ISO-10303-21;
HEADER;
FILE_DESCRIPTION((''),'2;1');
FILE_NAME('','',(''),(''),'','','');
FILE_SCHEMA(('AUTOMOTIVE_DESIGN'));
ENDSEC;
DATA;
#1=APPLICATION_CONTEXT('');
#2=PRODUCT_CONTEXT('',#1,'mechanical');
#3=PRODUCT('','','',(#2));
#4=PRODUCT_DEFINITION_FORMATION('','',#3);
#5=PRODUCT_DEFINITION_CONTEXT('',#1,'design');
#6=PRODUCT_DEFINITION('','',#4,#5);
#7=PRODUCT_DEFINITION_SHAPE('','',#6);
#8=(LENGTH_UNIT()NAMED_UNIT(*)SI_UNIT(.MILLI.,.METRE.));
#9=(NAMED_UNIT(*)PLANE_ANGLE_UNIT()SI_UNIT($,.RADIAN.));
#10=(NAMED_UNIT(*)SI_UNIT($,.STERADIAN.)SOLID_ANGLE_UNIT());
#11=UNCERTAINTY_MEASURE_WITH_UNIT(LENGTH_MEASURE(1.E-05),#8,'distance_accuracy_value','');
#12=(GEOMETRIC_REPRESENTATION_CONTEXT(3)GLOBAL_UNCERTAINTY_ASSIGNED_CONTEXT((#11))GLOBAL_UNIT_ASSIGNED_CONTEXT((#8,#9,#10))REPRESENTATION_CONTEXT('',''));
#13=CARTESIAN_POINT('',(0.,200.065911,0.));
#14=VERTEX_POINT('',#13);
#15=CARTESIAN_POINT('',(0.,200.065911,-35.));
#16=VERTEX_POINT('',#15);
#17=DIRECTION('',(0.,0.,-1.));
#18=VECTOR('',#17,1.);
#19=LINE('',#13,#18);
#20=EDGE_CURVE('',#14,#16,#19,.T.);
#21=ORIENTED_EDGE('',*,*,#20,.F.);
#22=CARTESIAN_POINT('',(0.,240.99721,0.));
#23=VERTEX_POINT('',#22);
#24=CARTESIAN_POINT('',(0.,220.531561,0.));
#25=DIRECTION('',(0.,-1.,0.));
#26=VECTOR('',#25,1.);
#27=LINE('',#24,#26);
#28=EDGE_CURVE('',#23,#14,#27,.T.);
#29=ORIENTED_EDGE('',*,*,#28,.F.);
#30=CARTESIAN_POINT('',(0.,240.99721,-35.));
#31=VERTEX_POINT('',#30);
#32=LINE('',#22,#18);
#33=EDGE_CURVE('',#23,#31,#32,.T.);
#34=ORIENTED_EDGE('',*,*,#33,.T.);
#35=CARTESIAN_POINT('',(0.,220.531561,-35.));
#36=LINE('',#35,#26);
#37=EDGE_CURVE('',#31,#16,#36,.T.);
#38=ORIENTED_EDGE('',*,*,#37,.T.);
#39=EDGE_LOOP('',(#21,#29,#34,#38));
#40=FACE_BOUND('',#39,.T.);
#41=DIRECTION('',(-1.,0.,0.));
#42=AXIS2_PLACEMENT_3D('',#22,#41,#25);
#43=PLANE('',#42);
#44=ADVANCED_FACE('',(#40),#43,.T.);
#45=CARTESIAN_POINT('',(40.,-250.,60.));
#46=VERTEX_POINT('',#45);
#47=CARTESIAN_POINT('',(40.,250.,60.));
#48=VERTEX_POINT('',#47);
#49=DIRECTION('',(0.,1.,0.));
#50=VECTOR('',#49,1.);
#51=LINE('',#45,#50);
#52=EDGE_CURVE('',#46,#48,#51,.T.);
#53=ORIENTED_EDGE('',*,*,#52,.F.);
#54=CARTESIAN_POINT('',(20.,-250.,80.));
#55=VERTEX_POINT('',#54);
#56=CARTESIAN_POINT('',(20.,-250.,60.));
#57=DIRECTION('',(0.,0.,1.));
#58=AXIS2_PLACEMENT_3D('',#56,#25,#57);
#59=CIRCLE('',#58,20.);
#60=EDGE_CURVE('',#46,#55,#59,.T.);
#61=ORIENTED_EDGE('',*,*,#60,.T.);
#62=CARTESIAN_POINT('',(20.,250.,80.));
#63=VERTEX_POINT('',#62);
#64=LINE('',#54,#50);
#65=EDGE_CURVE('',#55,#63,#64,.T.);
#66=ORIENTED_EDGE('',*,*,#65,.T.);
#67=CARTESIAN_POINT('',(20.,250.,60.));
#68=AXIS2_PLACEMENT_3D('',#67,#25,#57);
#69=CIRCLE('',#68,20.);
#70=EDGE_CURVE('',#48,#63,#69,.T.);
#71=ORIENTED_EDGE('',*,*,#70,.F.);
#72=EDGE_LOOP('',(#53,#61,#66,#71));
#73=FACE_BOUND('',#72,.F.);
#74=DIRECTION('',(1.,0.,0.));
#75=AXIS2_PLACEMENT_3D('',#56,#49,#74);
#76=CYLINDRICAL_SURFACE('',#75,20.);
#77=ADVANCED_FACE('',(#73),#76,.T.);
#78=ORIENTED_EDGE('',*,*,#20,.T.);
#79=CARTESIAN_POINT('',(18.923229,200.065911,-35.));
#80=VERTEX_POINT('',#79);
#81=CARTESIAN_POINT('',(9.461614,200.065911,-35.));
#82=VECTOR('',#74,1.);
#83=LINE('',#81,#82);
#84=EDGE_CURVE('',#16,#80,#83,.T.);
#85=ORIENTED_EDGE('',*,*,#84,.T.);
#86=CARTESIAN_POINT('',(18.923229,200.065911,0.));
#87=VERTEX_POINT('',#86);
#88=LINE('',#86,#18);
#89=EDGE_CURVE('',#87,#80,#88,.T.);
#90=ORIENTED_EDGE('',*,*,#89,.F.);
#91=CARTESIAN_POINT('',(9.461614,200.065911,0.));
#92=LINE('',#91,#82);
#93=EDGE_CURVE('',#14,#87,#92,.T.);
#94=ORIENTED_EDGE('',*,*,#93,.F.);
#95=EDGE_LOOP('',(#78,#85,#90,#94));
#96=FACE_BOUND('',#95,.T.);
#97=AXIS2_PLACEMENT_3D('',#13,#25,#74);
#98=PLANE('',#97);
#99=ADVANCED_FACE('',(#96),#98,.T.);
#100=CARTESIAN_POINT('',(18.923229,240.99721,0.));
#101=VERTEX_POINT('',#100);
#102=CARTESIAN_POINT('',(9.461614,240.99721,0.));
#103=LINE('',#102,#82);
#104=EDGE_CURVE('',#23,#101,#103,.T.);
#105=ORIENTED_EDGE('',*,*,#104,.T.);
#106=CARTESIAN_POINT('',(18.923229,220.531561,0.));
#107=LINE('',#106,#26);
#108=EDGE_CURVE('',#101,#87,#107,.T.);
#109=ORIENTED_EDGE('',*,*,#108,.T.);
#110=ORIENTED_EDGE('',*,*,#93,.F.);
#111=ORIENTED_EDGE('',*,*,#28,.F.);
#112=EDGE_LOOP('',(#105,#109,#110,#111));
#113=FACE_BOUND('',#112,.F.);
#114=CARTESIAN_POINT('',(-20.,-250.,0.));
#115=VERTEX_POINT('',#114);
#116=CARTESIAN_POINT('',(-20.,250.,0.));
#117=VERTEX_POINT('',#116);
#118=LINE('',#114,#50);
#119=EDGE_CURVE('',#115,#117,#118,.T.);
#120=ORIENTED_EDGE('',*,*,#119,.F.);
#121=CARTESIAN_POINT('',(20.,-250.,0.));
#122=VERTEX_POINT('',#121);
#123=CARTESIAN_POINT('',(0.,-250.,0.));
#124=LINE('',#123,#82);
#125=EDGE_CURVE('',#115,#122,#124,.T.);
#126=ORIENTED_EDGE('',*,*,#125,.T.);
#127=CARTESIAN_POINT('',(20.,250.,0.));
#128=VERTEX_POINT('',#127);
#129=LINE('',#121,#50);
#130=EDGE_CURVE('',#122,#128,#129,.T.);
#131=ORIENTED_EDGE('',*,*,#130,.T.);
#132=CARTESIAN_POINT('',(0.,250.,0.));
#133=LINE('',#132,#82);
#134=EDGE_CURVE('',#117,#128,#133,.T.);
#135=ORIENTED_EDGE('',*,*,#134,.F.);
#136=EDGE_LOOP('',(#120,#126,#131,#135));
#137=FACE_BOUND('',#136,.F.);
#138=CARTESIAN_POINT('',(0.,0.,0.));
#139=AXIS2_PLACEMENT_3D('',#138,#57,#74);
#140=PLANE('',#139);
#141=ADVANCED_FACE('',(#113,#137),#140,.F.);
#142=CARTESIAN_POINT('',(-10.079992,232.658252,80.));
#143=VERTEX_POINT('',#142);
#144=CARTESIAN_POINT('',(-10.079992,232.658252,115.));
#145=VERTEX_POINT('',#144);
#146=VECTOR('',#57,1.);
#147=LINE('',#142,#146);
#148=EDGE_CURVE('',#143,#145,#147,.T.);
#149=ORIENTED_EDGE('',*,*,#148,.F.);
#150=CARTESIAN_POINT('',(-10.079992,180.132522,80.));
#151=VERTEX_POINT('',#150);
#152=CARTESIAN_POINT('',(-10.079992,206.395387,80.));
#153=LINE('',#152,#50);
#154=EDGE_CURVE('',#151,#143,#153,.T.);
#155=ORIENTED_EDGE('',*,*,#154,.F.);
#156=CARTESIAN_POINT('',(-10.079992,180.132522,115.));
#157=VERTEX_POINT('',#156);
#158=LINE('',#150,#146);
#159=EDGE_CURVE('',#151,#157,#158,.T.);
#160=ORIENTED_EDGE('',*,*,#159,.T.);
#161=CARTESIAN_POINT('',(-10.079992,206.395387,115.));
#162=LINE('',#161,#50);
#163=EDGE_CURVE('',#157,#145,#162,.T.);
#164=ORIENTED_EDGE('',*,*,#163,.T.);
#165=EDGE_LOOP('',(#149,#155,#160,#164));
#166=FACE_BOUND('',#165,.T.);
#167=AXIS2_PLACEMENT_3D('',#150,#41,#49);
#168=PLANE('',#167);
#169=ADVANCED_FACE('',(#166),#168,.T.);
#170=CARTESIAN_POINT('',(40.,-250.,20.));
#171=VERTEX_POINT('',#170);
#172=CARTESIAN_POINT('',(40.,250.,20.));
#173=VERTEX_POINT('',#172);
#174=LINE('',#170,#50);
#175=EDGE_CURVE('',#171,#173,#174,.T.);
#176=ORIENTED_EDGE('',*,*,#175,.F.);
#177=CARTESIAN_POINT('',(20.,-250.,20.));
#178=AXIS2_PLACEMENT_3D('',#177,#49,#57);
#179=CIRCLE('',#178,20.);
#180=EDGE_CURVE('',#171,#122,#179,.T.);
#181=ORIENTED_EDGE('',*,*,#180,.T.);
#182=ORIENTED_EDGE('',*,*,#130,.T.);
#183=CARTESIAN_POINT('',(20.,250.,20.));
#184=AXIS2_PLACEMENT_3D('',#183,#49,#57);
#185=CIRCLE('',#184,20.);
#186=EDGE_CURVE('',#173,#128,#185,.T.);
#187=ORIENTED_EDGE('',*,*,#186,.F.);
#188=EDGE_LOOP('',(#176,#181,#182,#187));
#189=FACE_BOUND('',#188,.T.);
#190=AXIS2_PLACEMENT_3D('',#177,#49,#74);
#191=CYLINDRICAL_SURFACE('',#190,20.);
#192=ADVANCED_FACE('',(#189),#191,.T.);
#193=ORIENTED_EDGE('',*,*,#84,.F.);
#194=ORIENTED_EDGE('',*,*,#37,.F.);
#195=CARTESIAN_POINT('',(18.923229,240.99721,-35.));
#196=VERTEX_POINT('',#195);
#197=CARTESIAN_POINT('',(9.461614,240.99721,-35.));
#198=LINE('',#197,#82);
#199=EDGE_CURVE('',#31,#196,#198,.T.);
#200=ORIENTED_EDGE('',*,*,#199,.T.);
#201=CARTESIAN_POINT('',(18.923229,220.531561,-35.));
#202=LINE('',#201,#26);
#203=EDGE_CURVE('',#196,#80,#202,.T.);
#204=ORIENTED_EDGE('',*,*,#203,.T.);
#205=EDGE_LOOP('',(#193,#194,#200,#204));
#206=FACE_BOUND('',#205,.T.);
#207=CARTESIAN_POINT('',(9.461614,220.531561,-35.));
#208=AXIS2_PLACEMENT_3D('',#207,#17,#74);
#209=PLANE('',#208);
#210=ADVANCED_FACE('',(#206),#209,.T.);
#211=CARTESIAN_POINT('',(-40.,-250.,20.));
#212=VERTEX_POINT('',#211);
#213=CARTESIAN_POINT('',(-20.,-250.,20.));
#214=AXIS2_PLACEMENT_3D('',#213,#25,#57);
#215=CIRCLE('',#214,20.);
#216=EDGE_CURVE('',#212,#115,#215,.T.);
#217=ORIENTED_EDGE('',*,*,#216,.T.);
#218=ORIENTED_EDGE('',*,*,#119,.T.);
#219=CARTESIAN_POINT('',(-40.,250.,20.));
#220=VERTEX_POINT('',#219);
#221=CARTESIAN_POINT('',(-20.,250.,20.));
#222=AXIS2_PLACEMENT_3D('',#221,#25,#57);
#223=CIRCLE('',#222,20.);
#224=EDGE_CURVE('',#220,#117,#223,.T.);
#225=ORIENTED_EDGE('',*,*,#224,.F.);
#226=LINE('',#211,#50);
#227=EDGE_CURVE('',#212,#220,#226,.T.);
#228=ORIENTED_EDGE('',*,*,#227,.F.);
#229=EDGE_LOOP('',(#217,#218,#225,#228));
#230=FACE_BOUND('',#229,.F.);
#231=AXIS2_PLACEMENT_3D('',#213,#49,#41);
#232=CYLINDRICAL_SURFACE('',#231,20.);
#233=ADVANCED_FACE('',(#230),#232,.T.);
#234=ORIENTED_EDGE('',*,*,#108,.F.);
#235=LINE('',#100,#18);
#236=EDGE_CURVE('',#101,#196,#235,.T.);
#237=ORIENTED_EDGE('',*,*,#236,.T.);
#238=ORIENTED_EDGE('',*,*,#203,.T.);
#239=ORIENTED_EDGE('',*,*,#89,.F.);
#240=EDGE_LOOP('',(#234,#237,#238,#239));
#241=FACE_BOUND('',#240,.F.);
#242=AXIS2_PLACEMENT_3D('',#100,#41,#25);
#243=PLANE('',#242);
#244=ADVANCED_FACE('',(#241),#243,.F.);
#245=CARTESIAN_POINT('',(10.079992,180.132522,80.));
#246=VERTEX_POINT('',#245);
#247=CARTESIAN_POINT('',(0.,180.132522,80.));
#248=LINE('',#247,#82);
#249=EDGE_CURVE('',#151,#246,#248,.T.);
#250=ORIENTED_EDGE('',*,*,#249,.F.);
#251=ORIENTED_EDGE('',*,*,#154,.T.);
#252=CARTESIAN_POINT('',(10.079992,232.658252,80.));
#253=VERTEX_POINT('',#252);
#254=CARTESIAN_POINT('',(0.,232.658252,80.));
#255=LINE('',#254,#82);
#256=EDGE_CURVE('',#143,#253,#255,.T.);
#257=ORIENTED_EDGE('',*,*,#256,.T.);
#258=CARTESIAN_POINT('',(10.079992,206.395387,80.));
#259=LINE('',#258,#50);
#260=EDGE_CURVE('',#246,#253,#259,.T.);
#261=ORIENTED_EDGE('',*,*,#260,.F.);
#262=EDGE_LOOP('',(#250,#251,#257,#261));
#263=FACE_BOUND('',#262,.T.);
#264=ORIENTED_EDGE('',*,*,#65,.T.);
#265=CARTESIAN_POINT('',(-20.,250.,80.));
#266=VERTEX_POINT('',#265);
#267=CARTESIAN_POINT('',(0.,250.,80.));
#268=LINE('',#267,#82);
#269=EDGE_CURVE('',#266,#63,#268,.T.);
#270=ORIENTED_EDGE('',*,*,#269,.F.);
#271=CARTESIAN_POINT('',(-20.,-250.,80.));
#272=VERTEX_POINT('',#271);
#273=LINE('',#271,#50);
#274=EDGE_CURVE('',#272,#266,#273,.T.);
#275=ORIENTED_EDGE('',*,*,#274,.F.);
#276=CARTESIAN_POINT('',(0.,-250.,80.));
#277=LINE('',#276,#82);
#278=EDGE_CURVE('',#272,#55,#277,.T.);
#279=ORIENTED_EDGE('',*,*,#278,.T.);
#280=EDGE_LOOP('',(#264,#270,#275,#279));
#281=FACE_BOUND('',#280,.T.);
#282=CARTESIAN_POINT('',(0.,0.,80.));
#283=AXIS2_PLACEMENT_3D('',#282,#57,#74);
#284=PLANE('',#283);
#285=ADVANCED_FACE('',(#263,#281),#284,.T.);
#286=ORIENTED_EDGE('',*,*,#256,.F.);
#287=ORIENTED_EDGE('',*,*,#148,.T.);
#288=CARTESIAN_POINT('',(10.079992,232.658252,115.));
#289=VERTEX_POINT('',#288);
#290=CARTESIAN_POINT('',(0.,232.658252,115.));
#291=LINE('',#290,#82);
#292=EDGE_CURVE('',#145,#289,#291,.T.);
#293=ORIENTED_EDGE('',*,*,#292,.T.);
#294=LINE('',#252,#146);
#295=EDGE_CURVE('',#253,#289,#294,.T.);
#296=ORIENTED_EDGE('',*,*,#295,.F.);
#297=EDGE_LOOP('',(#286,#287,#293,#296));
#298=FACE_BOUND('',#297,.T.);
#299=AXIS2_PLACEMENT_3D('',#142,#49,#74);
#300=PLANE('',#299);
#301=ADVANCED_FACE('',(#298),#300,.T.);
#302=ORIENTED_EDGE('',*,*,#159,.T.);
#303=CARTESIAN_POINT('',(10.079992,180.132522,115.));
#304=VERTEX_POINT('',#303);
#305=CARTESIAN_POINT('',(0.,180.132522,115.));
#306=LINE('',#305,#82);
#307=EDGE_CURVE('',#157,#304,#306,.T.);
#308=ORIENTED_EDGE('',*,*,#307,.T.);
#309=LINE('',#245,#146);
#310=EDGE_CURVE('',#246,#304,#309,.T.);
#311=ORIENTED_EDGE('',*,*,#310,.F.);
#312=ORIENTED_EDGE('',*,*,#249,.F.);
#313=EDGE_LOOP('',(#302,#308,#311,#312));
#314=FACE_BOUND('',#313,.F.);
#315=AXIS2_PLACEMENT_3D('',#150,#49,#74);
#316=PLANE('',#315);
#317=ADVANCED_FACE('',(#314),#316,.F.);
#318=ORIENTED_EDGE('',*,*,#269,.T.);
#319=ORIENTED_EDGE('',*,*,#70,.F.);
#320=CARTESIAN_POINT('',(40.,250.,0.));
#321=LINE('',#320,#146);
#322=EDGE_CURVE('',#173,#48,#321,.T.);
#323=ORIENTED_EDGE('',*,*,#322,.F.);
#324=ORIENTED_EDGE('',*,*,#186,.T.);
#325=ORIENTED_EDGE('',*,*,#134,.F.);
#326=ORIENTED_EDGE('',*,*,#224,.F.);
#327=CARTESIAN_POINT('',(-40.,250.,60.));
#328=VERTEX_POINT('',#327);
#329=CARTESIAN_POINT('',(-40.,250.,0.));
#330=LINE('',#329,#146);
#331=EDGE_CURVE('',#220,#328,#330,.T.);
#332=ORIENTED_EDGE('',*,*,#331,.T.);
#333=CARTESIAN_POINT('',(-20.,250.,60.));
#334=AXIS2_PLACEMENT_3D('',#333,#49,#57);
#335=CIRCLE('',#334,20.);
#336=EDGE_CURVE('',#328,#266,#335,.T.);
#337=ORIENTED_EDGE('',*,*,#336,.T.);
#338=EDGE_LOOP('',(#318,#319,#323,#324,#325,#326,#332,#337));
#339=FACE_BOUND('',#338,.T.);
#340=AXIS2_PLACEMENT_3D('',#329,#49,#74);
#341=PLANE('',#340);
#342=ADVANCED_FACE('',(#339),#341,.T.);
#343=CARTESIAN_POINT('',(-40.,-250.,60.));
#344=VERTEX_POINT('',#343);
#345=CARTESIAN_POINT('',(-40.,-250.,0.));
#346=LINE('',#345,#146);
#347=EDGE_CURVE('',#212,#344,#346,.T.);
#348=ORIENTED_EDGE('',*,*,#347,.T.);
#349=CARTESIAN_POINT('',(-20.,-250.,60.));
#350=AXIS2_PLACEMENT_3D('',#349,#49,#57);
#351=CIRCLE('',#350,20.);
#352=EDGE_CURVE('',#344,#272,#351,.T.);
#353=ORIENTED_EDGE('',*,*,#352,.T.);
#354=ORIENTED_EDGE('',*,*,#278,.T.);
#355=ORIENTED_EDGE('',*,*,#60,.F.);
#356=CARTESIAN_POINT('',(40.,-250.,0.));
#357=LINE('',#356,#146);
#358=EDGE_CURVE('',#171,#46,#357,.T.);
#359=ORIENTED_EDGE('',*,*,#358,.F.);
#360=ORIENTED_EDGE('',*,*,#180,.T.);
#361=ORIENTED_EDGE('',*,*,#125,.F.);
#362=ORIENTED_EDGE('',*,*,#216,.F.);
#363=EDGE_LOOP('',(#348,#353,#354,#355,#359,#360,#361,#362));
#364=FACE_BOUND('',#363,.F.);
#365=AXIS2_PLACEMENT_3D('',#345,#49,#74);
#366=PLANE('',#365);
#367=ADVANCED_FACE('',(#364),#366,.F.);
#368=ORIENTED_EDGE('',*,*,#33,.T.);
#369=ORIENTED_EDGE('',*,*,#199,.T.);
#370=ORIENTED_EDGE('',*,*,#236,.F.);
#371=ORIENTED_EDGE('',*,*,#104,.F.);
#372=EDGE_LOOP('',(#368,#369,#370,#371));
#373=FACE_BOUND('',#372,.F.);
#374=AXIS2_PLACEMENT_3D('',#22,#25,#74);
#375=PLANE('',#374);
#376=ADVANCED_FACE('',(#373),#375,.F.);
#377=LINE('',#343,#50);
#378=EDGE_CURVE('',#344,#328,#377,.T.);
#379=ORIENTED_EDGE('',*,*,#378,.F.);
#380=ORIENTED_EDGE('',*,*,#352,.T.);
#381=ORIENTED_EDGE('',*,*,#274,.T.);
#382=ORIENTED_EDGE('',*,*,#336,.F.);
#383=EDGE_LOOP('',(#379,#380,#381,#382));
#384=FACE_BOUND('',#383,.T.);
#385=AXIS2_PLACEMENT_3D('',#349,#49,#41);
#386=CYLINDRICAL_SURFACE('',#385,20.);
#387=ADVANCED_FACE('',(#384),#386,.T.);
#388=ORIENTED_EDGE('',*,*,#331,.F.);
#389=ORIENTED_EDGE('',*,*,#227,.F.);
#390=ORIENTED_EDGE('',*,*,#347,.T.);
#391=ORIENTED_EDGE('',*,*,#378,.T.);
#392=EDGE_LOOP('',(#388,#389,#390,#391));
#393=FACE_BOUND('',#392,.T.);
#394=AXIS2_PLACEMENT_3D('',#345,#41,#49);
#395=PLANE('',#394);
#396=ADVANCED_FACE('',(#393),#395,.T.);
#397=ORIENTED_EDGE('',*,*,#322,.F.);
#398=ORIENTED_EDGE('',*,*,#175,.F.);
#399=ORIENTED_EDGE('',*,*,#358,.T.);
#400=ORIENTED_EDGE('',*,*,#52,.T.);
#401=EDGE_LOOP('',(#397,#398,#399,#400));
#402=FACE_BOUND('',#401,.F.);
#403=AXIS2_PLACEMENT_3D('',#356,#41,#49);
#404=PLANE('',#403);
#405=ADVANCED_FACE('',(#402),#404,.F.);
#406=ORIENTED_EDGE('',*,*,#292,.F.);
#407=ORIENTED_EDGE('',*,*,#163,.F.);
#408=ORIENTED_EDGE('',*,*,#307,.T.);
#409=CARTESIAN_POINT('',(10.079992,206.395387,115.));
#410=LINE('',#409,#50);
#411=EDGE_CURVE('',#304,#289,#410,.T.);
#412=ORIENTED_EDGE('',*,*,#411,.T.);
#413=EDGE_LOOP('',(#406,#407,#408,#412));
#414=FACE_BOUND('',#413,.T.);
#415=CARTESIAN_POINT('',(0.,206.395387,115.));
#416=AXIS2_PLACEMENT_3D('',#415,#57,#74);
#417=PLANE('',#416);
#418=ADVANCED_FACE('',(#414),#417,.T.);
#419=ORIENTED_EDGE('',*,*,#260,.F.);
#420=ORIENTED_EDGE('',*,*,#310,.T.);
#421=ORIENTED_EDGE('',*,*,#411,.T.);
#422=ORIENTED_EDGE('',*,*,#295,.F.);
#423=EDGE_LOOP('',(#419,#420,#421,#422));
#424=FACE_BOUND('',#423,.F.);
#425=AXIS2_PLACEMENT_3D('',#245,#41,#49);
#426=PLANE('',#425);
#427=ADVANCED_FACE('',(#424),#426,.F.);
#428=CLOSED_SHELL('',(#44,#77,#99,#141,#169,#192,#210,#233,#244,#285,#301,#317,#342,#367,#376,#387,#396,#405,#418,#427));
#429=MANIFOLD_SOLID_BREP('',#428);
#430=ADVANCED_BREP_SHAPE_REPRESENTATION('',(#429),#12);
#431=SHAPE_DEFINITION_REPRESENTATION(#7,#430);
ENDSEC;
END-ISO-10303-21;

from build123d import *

# Parameters (mm, degrees)
F0_W     = 80
F0_H     = 500
F1_DEPTH = 80
F2_R     = 20
F3_W     = 20.159984
F3_H     = 52.525729
F4_DEPTH = 35
F5_W     = 18.923229
F5_H     = 40.931299
F6_DEPTH = 35


with BuildPart() as f1:
    # F0 (on Top) → F1 (new body)
    with BuildSketch(Plane.XY):
        Rectangle(F0_W, F0_H)
    extrude(amount=F1_DEPTH)

    # F2
    f2_edges = [f1.edges().sort_by_distance(p)[0] for p in [
        (-40, 0, 0),
        (40, 0, 0),
        (40, 0, 80),
        (-40, 0, 80),
    ]]
    fillet(f2_edges, radius=F2_R)

    # F3 (on face) → F4 (join)
    with BuildSketch(Plane.XY.offset(80)):
        with Locations((0, 206.395387)):
            Rectangle(F3_W, F3_H)
    extrude(amount=F4_DEPTH)

    # F5 (on face) → F6 (join)
    with BuildSketch(Plane(origin=(0, 0, 0), x_dir=(1, 0, 0), z_dir=(0, 0, -1))):
        with Locations((9.461614, -220.531561)):
            Rectangle(F5_W, F5_H)
    extrude(amount=F6_DEPTH)


solid = f1.part
